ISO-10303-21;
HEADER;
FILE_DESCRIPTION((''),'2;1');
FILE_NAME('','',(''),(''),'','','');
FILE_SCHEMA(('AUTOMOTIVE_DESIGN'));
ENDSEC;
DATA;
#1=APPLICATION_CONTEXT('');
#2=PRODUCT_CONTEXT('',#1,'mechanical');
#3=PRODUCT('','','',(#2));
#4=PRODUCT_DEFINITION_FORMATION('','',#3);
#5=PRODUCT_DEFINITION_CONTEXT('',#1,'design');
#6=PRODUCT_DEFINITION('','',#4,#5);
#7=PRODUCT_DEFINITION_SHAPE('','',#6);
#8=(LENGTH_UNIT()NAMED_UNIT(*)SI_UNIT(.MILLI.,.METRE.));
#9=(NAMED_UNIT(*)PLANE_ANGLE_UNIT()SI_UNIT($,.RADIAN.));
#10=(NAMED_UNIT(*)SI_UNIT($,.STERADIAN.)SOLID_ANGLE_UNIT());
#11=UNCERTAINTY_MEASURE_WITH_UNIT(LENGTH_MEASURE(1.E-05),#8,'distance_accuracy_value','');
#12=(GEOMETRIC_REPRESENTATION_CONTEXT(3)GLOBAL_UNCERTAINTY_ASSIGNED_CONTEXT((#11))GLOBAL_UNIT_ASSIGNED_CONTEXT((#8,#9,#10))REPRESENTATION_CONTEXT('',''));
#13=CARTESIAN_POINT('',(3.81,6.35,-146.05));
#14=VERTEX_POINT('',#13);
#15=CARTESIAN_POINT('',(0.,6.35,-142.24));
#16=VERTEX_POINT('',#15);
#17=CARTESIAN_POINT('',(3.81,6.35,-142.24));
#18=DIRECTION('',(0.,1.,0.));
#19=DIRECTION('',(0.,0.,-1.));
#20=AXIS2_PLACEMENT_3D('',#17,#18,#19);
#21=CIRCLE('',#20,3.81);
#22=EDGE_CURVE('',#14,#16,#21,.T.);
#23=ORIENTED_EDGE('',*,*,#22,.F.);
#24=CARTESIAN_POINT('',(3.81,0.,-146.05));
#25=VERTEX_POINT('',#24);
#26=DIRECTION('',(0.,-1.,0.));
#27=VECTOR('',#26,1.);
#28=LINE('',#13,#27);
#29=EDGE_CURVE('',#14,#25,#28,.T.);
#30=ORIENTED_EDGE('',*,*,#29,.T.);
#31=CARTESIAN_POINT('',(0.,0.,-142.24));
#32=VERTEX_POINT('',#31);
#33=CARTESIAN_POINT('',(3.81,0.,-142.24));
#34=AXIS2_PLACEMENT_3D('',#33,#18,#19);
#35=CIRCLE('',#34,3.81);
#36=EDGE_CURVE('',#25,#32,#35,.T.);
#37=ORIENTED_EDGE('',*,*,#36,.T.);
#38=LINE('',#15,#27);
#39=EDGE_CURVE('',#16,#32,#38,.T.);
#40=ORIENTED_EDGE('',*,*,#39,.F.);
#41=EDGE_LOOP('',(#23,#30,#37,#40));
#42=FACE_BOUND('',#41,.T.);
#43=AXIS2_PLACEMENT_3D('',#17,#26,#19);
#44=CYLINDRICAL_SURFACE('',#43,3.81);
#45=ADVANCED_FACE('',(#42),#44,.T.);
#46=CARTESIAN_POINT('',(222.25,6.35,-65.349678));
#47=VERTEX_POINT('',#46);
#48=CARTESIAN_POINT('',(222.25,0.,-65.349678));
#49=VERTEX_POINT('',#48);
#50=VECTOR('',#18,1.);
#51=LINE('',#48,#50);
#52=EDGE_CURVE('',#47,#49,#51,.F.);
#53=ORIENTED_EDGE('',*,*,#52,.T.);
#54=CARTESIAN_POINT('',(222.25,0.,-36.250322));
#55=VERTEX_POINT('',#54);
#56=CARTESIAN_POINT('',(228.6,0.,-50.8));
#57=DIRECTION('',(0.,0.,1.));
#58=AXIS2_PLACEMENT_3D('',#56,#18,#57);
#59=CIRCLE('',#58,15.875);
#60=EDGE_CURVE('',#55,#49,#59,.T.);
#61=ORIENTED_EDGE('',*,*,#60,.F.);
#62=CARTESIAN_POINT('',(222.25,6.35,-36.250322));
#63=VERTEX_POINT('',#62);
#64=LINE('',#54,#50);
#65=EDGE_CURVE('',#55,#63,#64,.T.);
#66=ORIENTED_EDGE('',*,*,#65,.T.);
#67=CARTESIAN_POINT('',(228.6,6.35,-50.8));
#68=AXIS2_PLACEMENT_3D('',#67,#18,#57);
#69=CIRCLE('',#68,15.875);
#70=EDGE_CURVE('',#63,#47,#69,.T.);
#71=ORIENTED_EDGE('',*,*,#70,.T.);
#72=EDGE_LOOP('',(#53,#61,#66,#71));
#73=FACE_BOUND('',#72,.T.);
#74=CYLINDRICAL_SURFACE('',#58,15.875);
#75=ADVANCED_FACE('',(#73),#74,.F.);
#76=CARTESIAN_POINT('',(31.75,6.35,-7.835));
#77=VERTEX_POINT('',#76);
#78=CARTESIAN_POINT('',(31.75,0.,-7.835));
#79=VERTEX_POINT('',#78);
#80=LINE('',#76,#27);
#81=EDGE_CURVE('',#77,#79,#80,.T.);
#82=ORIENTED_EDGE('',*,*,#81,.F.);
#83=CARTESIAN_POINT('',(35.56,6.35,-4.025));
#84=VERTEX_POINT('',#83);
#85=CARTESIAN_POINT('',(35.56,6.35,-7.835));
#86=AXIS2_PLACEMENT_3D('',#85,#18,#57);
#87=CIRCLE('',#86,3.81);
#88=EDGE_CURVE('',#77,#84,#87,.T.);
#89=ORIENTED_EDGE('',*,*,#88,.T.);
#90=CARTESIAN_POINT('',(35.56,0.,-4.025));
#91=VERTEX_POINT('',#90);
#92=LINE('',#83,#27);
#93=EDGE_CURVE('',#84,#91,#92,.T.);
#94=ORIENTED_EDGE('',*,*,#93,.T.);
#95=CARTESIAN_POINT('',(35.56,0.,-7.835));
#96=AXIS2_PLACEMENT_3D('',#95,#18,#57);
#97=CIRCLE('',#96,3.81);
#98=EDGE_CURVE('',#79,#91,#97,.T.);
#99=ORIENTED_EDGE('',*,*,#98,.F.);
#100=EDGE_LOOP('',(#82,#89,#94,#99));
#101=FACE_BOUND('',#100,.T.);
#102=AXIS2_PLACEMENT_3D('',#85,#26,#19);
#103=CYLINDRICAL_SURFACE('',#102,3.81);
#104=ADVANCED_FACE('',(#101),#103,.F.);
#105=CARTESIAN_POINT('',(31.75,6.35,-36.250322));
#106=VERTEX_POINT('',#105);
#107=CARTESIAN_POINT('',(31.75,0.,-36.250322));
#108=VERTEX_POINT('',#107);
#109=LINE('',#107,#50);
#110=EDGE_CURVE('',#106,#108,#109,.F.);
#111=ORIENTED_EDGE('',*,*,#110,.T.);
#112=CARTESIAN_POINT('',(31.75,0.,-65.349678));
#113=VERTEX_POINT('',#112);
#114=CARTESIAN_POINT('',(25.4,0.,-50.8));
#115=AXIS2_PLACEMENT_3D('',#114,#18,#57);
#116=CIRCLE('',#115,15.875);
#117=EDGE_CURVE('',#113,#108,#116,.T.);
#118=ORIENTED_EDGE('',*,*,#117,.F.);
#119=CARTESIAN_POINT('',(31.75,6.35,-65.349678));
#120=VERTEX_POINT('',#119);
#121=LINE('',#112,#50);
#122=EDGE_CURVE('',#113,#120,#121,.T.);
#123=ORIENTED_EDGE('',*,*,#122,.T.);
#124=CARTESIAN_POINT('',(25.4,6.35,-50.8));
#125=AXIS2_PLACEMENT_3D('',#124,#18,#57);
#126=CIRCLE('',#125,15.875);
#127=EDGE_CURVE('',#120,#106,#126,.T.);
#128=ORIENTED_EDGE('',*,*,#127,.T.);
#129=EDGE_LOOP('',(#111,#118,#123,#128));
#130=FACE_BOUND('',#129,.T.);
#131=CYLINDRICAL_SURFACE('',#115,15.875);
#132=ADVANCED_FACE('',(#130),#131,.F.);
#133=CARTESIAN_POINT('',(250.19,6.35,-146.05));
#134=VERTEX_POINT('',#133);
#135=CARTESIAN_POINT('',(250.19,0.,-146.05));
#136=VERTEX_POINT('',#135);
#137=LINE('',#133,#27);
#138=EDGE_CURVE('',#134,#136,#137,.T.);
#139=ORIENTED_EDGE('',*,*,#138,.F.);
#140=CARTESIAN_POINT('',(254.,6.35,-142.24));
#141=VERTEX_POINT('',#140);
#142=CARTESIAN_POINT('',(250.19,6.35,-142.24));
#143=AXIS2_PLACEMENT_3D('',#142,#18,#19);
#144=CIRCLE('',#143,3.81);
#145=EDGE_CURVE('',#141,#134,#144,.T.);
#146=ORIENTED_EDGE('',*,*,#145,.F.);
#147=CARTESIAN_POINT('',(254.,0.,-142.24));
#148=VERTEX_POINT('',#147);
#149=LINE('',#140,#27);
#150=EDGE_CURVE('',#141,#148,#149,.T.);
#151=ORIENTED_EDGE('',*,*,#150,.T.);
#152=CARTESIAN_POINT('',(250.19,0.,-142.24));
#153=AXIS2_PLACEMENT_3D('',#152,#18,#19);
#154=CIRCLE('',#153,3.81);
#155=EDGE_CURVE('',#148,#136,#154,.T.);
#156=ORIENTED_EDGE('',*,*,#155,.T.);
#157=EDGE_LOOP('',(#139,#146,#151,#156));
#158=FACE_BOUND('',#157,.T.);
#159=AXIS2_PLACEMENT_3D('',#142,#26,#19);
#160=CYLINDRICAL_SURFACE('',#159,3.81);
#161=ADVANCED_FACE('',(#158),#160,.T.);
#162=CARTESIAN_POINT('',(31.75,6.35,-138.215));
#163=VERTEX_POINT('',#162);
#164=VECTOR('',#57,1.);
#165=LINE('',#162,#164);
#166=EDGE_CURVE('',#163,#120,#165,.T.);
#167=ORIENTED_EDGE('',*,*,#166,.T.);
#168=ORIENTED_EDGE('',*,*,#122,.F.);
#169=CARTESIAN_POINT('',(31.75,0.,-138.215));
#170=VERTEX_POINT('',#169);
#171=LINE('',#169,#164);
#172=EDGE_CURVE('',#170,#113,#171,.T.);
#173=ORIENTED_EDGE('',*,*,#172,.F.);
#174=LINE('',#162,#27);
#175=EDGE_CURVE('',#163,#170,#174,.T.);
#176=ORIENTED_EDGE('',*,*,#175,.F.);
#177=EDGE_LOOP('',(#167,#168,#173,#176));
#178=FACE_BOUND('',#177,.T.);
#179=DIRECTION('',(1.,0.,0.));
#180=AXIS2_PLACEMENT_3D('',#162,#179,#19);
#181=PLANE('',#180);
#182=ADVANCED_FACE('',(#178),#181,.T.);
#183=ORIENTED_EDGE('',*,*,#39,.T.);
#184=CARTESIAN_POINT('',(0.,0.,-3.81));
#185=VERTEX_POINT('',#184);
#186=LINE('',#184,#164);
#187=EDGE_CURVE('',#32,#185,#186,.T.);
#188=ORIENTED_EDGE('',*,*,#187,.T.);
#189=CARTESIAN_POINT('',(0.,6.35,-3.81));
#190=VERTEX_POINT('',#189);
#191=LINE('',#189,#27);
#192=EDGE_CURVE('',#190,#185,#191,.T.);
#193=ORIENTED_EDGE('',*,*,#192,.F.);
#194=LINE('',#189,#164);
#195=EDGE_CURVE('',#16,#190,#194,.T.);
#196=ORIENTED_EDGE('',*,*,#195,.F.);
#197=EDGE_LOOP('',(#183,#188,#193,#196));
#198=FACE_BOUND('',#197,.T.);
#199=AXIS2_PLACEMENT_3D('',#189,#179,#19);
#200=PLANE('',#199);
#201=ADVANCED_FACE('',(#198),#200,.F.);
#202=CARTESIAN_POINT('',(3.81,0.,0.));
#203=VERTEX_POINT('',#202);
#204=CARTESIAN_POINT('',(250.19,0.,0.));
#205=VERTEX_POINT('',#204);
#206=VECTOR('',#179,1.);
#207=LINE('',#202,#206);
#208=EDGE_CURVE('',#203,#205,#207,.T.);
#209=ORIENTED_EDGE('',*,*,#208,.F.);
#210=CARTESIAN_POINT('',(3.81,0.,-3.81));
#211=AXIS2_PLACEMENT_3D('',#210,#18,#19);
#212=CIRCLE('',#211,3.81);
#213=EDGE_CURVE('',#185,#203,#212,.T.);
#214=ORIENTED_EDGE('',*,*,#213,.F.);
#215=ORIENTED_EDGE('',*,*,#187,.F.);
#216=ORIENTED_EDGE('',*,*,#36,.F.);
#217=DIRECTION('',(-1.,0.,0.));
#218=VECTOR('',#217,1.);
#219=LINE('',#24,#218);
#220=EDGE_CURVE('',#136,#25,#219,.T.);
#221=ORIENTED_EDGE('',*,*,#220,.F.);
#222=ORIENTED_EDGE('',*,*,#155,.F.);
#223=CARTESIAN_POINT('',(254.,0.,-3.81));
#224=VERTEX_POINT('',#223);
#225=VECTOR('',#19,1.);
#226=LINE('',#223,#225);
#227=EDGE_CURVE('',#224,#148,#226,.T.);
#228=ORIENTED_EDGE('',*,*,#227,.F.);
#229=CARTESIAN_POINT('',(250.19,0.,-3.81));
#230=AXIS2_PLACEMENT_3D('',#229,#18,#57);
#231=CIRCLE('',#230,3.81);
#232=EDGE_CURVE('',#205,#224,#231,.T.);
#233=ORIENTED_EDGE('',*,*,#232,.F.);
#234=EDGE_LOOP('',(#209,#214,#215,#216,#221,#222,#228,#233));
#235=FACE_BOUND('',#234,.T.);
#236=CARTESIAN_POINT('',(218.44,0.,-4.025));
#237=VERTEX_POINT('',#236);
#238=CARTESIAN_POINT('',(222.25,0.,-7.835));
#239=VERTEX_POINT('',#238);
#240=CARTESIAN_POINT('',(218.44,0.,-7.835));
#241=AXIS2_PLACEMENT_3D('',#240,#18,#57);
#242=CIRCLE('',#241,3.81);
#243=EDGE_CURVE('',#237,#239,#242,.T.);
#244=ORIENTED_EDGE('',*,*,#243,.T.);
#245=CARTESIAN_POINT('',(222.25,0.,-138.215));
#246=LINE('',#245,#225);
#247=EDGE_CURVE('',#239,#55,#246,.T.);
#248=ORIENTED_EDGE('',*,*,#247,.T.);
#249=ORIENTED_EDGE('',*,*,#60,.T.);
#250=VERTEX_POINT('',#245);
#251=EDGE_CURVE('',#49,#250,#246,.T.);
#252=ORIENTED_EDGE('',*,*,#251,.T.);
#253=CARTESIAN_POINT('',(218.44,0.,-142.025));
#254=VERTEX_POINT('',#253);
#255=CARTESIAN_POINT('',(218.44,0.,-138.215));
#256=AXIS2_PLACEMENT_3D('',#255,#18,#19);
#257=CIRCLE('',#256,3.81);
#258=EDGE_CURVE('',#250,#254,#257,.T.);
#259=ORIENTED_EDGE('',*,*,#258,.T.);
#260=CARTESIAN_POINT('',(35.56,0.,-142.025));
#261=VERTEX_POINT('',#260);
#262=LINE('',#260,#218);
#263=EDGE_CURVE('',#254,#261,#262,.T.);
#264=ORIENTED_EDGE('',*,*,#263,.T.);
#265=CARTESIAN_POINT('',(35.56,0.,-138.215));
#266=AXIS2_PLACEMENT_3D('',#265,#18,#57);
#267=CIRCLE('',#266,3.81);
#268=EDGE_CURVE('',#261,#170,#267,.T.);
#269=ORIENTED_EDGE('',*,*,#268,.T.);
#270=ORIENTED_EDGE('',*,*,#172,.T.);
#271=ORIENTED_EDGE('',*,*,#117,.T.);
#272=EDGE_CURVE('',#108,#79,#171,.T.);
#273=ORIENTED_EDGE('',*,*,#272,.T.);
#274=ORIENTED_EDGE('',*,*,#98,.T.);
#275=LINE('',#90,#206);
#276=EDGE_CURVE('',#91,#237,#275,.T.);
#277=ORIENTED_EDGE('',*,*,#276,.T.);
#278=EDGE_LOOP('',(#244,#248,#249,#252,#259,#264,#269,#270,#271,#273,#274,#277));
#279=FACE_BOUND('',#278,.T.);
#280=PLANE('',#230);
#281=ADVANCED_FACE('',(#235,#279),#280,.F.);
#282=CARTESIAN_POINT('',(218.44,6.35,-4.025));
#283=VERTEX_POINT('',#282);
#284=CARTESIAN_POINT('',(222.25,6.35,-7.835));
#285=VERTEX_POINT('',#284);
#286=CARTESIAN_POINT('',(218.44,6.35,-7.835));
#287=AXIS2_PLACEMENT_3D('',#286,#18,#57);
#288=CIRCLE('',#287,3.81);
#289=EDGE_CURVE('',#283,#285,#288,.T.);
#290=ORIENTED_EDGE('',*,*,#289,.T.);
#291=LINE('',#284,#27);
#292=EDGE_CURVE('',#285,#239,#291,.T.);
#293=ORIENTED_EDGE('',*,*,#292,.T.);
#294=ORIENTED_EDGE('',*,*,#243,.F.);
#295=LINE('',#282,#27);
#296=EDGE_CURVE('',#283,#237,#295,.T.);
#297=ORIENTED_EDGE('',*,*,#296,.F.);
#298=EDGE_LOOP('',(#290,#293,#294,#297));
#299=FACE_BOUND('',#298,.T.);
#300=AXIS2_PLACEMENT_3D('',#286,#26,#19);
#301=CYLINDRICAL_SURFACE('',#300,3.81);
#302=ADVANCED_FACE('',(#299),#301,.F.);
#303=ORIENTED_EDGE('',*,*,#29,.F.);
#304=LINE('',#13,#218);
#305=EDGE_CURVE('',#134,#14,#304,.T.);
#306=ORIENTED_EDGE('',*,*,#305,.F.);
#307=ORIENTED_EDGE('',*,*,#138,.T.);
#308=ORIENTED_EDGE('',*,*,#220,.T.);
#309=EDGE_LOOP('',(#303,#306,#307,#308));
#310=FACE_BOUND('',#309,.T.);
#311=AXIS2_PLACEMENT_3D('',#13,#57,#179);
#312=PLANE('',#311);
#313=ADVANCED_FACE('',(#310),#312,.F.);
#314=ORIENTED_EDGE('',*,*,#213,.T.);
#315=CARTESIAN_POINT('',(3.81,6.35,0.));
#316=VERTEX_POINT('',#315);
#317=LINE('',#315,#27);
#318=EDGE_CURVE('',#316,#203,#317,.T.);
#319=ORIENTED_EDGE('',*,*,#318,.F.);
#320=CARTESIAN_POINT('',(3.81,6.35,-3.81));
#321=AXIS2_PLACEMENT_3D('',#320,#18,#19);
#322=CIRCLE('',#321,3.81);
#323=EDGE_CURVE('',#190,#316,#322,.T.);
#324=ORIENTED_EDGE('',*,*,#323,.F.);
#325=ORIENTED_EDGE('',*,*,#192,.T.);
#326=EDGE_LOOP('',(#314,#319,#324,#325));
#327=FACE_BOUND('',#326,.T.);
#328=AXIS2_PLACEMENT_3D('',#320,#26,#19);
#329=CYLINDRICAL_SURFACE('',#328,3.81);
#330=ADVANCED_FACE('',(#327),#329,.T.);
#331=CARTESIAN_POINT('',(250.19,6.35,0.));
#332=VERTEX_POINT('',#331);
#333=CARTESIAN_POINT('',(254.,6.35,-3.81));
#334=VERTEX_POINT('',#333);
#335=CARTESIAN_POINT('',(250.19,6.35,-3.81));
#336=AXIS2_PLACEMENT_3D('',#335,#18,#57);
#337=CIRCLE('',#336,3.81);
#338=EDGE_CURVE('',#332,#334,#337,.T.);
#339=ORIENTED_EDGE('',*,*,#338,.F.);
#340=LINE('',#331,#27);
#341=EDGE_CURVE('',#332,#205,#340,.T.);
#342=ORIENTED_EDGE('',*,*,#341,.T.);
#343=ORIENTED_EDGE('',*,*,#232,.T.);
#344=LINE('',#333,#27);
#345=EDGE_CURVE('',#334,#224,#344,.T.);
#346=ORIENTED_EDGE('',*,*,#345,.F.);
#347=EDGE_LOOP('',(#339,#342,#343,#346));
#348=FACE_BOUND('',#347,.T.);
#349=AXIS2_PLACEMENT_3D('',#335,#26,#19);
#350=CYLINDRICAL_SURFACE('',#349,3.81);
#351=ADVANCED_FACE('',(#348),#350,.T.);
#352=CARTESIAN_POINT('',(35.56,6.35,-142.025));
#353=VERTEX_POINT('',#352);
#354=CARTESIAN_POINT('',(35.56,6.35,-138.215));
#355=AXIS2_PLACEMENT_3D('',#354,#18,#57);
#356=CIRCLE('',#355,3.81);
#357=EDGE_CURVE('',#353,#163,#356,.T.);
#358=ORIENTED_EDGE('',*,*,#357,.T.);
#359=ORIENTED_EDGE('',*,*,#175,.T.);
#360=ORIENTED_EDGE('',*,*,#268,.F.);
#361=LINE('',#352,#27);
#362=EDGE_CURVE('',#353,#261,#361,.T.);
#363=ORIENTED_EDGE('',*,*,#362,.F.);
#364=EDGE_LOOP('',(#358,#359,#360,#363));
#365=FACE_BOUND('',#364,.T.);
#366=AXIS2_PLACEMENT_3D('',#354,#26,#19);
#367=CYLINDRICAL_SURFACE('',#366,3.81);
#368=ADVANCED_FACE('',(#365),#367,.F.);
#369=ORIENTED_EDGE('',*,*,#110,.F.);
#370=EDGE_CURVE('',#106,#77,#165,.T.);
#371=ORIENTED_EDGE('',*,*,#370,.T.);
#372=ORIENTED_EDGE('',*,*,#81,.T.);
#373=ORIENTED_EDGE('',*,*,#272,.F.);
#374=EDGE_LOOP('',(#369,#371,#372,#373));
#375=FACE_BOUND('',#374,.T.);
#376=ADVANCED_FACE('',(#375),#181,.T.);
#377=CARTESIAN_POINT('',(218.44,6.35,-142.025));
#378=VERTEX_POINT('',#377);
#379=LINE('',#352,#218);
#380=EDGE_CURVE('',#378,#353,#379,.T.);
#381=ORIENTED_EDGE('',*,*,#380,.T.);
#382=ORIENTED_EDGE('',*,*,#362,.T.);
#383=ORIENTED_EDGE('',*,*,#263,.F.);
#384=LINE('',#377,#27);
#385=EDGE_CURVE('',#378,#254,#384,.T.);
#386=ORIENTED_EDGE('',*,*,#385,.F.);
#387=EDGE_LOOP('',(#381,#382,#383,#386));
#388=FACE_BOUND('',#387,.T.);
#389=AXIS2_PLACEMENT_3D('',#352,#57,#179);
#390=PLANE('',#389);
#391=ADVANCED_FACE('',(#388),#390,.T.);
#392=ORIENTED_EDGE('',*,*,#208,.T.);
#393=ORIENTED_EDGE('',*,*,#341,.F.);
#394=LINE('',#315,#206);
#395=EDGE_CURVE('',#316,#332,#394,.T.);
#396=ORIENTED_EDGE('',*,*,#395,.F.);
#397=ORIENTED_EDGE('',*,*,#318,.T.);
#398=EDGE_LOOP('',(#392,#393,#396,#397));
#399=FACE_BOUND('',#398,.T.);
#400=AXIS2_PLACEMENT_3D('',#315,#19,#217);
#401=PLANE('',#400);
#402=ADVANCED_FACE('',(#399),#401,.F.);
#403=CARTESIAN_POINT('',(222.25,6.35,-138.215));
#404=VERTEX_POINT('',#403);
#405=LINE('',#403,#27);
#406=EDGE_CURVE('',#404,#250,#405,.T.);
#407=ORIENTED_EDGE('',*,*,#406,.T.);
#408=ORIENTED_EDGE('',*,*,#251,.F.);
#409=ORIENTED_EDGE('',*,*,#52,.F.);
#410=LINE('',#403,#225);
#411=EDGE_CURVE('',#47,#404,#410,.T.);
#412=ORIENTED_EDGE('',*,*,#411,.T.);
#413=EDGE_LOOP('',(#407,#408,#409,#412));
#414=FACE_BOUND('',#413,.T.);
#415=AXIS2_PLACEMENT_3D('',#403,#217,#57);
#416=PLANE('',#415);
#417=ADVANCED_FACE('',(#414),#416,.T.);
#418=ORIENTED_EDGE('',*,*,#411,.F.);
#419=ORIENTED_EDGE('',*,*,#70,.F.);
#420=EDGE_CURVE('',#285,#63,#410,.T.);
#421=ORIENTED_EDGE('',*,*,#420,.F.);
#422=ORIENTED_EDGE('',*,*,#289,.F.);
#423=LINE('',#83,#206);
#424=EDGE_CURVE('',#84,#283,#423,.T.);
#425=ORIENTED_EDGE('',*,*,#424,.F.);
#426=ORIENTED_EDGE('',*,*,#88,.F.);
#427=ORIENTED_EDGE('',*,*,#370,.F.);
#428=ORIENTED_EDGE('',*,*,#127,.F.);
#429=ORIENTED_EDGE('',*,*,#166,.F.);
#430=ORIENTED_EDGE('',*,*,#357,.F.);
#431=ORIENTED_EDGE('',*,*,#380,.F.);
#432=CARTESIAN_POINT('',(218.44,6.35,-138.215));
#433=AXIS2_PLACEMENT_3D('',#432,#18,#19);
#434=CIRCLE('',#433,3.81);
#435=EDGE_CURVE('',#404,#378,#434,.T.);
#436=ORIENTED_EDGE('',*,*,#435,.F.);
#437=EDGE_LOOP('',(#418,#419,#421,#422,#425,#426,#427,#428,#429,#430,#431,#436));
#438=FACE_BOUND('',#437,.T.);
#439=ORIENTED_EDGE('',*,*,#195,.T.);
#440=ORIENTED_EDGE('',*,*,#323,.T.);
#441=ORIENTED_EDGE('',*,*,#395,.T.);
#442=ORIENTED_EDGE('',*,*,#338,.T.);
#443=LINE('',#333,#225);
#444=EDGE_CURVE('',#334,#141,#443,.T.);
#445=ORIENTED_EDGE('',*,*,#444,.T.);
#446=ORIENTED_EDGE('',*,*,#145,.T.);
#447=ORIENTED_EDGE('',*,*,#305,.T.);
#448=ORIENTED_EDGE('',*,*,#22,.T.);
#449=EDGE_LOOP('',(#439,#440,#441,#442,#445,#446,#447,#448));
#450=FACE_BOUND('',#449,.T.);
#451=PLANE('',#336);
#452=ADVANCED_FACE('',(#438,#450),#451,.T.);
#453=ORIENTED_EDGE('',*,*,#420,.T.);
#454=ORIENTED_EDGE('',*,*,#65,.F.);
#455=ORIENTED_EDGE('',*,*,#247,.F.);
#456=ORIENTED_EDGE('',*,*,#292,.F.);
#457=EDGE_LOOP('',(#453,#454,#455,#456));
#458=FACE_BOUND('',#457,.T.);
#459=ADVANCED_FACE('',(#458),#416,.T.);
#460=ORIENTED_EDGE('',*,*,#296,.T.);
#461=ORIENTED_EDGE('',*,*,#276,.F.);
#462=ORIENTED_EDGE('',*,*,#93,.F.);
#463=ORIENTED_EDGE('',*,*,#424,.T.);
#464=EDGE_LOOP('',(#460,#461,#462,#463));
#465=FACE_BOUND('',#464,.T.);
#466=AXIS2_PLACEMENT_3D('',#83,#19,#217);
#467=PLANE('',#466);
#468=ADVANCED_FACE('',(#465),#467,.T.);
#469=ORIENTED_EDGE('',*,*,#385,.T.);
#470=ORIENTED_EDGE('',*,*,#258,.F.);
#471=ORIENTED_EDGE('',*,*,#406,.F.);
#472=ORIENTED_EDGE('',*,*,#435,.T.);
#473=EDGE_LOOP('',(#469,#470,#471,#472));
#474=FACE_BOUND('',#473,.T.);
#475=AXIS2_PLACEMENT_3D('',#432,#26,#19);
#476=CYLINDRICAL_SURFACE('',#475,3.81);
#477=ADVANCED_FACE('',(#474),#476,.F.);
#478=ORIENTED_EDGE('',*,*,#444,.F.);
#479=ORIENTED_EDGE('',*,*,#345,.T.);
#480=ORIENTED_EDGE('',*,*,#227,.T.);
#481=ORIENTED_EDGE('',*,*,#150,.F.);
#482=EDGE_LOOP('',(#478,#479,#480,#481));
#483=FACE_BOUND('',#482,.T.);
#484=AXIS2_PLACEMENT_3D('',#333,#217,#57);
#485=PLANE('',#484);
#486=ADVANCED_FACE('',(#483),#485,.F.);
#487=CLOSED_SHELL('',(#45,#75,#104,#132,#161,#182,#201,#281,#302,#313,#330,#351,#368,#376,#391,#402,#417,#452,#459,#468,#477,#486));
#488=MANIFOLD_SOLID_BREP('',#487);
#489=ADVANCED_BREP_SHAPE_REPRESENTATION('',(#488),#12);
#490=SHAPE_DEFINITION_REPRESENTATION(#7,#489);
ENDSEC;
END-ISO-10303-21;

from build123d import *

# Parameters (mm, degrees)
BOSS_EXTRUDE1_DEPTH = 6.35
SKETCH2_R           = 15.875
CUT_EXTRUDE1_DEPTH  = 294.064711284


with BuildPart() as part:
    # Sketch1 → Boss-Extrude1 (new body)
    with BuildSketch(Plane(origin=(0, 0, 0), x_dir=(1, 0, 0), z_dir=(0, 1, 0))):
        with BuildLine():
            Line((3.81, 0), (250.19, 0))
            ThreePointArc((250.19, 0), (252.884076836, 1.115923164), (254, 3.81))
            Line((254, 3.81), (254, 142.24))
            ThreePointArc((254, 142.24), (252.884076836, 144.934076836), (250.19, 146.05))
            Line((250.19, 146.05), (3.81, 146.05))
            ThreePointArc((3.81, 146.05), (1.115923164, 144.934076836), (0, 142.24))
            Line((0, 142.24), (0, 3.81))
            ThreePointArc((0, 3.81), (1.115923164, 1.115923164), (3.81, 0))
        make_face()
        with BuildLine():
            Line((35.56, 142.025), (218.44, 142.025))
            ThreePointArc((218.44, 142.025), (221.134076836, 140.909076836), (222.25, 138.215))
            Line((222.25, 138.215), (222.25, 7.835))
            ThreePointArc((222.25, 7.835), (221.134076836, 5.140923164), (218.44, 4.025))
            Line((218.44, 4.025), (35.56, 4.025))
            ThreePointArc((35.56, 4.025), (32.865923164, 5.140923164), (31.75, 7.835))
            Line((31.75, 7.835), (31.75, 138.215))
            ThreePointArc((31.75, 138.215), (32.865923164, 140.909076836), (35.56, 142.025))
        make_face(mode=Mode.SUBTRACT)
    extrude(amount=BOSS_EXTRUDE1_DEPTH)

    # Sketch2 → Cut-Extrude1 (cut, through all)
    with BuildSketch(Plane(origin=(0, 6.35, 0), x_dir=(1, 0, 0), z_dir=(0, 1, 0))):
        with Locations((25.4, 50.8)):
            Circle(SKETCH2_R)
        with Locations((228.6, 50.8)):
            Circle(SKETCH2_R)
    extrude(amount=-CUT_EXTRUDE1_DEPTH, mode=Mode.SUBTRACT)


solid = part.part
